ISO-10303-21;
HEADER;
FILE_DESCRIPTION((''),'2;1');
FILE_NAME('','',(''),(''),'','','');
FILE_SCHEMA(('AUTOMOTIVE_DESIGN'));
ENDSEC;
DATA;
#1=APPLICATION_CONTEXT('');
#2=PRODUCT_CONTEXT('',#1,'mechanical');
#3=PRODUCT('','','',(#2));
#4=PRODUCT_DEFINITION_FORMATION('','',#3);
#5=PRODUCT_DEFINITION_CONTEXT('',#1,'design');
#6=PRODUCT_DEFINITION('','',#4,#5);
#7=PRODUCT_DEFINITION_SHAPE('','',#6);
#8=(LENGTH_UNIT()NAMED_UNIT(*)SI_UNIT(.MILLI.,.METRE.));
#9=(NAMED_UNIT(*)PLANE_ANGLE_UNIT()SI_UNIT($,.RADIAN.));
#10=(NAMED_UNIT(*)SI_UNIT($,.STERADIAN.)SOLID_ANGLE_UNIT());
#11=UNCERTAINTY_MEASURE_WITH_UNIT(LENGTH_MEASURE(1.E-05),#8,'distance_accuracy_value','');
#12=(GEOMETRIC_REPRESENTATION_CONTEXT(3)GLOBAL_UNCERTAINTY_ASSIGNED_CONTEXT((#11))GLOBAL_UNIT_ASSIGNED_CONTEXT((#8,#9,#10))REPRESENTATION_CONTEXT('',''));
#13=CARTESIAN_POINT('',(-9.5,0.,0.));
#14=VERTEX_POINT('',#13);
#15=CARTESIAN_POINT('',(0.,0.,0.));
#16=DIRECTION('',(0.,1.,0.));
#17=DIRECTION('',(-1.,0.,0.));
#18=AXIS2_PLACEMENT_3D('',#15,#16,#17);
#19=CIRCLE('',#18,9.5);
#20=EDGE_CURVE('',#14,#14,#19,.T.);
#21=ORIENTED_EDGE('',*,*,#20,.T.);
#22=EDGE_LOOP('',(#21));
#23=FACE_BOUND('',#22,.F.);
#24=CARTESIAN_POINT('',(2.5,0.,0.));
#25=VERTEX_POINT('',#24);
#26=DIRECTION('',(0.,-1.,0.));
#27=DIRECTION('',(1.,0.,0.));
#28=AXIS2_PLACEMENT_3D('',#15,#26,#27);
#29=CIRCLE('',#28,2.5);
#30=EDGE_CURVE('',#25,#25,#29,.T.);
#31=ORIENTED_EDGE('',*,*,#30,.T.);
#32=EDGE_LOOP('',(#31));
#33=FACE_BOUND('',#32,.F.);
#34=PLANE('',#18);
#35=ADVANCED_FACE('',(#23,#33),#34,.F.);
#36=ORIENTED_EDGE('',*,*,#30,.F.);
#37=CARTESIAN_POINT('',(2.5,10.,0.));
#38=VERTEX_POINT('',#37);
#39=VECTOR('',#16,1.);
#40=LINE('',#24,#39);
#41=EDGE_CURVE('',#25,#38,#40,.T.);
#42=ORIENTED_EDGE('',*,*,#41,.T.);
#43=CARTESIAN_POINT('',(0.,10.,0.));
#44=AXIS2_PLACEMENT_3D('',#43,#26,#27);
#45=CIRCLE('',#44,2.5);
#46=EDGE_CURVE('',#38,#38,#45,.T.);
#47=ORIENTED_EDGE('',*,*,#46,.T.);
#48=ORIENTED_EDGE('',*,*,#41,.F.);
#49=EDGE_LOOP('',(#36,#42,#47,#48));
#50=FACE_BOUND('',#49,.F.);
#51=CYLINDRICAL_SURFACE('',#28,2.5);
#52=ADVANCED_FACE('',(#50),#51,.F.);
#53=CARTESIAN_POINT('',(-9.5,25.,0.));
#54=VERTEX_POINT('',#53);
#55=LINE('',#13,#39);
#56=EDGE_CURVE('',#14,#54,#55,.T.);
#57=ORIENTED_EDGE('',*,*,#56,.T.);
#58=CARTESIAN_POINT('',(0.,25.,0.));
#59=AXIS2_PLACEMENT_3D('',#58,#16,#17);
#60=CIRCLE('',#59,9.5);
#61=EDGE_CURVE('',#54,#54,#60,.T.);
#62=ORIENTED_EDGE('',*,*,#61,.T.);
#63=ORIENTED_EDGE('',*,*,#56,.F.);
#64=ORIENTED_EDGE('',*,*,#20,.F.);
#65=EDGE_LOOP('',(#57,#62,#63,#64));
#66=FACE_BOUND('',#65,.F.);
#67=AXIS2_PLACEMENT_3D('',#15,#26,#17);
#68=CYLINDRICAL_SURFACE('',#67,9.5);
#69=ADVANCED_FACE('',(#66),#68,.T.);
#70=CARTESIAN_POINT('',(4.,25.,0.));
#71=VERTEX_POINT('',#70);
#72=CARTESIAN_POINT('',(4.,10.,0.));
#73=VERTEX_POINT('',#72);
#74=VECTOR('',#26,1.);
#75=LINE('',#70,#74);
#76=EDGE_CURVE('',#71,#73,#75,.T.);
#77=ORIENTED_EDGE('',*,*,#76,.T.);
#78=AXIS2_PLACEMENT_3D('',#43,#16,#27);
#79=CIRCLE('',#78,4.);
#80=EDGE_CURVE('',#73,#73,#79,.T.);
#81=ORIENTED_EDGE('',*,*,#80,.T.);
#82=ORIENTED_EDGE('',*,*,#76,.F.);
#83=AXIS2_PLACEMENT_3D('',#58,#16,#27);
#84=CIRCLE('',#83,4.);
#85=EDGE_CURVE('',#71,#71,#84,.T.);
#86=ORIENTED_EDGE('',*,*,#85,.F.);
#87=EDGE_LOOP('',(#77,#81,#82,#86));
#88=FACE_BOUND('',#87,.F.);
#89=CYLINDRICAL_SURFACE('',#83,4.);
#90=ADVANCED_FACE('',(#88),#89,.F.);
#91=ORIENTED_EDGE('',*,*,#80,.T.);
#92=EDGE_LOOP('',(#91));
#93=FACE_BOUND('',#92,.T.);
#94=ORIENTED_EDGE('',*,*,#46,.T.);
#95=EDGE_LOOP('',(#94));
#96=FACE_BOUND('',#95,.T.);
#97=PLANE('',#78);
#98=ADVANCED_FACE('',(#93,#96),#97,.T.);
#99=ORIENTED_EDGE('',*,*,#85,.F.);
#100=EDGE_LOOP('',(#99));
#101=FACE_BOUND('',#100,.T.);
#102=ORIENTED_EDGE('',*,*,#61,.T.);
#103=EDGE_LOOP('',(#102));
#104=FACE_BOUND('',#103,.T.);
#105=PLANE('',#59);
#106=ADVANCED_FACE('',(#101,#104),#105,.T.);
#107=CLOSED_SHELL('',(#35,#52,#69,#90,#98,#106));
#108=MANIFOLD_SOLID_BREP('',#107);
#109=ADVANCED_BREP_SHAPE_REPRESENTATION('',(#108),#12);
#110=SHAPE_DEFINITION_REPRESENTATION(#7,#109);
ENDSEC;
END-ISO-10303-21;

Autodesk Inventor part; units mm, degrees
ref_plane "YZ Plane" through (0, 0, 0) normal (1, 0, 0) x (0, 1, 0)
ref_plane "XZ Plane" through (0, 0, 0) normal (0, 1, 0) x (-1, 0, 0)
ref_plane "XY Plane" through (0, 0, 0) normal (0, 0, 1) x (1, 0, 0)
sketch "Sketch1" plane through (0, 0, 0) normal (0, 1, 0) x (-1, 0, 0)
  circle A0 centre (0, 0) radius 9.5
  dimension "d0" = 19
extrude "Extrusion1" add sketch "Sketch1" along normal blind 25
sketch "Sketch2" plane through (0, 25, 0) normal (0, 1, 0) x (1, 0, 0)
  circle A0 centre (0, 0) radius 4
  dimension "d3" = 8
extrude "Extrusion2" cut sketch "Sketch2" against normal blind 15
sketch "Sketch3" plane through (0, 0, 0) normal (0, -1, 0) x (1, 0, 0)
  circle A0 centre (0, 0) radius 2.5
  dimension "d6" = 5
extrude "Extrusion3" cut sketch "Sketch3" against normal blind 10
properties part number "e_coupler"
